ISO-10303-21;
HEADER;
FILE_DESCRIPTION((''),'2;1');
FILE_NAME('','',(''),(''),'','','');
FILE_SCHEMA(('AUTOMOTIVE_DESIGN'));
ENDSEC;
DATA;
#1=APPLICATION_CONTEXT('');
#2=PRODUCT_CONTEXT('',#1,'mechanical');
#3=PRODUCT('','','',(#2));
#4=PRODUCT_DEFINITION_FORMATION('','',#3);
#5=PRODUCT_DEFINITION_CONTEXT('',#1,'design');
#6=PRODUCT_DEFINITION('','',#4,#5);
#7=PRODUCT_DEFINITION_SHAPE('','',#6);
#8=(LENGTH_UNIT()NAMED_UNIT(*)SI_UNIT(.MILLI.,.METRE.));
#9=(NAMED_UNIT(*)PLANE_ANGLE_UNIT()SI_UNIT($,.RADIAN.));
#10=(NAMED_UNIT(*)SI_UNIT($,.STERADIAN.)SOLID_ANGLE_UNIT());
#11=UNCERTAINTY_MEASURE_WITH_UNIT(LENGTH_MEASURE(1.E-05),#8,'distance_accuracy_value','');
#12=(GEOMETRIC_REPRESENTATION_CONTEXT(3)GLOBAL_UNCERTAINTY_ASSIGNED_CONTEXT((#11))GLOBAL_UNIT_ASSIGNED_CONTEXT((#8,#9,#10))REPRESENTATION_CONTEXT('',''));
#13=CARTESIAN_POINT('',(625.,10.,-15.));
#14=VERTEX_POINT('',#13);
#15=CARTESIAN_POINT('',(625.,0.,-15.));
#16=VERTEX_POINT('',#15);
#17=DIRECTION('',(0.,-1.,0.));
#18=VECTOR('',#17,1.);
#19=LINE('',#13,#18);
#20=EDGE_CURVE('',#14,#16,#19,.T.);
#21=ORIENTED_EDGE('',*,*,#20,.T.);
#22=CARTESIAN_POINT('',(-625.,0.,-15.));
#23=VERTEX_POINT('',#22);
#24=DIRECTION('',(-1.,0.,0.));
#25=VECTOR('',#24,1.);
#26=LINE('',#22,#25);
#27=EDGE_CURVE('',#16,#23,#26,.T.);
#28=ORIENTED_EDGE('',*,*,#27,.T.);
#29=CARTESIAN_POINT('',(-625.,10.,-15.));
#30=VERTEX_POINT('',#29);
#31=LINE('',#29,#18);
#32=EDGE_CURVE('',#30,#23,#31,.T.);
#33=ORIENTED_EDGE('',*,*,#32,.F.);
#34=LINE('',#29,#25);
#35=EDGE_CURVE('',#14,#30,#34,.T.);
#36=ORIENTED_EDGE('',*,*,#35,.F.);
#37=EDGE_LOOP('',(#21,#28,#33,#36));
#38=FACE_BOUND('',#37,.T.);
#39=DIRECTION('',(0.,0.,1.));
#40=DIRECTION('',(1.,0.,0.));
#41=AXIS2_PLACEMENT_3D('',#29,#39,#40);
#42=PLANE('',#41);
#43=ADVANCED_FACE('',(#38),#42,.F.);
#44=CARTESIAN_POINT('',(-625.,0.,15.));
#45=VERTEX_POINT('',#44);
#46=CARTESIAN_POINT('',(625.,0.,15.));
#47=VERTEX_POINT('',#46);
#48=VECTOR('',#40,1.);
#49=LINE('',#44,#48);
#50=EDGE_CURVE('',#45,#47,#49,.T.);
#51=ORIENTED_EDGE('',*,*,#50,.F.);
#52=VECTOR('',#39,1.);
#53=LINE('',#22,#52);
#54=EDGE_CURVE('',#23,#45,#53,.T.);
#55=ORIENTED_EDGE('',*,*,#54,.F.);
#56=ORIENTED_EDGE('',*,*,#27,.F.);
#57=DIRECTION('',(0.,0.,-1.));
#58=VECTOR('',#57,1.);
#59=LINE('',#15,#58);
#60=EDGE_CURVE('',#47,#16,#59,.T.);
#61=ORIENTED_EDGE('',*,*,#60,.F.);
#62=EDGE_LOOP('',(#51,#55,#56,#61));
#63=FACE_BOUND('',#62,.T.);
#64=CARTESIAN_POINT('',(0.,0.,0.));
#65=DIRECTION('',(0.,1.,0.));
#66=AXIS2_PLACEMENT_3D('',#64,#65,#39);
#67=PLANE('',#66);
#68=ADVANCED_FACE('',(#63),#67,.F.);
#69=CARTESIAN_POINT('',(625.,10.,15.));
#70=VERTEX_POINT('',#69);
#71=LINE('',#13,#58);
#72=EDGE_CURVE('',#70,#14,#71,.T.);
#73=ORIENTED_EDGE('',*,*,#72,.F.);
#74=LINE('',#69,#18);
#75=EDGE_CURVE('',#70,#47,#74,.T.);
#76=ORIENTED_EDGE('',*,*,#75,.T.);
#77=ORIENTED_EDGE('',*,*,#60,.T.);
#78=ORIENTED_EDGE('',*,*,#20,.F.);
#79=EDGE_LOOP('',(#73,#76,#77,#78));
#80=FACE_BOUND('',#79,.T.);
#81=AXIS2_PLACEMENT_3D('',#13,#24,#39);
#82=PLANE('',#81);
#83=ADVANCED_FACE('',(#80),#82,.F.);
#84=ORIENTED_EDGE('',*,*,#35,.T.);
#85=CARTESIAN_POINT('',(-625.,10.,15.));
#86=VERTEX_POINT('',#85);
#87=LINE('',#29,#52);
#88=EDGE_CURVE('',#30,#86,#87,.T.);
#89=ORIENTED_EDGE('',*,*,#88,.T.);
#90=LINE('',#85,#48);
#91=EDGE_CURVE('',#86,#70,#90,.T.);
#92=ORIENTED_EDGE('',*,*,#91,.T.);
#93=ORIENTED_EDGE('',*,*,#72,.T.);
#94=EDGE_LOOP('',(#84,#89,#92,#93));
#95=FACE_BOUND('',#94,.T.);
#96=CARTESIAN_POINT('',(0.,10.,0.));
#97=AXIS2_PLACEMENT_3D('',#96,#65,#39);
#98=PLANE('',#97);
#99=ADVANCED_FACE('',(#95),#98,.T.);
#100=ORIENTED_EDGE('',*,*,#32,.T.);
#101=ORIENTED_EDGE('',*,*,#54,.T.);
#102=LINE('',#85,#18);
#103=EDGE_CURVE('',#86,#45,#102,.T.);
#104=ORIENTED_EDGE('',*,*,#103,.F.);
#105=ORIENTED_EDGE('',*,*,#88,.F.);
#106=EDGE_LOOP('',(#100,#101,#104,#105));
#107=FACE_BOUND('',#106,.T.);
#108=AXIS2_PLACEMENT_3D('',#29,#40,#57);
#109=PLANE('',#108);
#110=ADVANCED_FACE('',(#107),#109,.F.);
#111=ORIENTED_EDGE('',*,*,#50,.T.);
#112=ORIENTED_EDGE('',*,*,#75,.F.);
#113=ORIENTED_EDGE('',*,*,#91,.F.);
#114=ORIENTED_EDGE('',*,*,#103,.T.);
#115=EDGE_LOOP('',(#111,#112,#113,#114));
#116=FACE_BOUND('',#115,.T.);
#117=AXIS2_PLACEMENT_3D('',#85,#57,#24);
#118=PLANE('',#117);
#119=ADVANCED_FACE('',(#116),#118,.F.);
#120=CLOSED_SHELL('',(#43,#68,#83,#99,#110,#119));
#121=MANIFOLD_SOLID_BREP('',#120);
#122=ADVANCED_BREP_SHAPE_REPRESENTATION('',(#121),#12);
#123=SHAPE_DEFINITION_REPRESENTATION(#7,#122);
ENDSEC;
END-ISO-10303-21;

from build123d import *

# Parameters (mm, degrees)
SKETCH1_W           = 1250
SKETCH1_H           = 30
BOSS_EXTRUDE1_DEPTH = 10


with BuildPart() as part:
    # Sketch1 → Boss-Extrude1 (new body)
    with BuildSketch(Plane(origin=(0, 0, 0), x_dir=(1, 0, 0), z_dir=(0, 1, 0))):
        Rectangle(SKETCH1_W, SKETCH1_H)
    extrude(amount=BOSS_EXTRUDE1_DEPTH)


solid = part.part
